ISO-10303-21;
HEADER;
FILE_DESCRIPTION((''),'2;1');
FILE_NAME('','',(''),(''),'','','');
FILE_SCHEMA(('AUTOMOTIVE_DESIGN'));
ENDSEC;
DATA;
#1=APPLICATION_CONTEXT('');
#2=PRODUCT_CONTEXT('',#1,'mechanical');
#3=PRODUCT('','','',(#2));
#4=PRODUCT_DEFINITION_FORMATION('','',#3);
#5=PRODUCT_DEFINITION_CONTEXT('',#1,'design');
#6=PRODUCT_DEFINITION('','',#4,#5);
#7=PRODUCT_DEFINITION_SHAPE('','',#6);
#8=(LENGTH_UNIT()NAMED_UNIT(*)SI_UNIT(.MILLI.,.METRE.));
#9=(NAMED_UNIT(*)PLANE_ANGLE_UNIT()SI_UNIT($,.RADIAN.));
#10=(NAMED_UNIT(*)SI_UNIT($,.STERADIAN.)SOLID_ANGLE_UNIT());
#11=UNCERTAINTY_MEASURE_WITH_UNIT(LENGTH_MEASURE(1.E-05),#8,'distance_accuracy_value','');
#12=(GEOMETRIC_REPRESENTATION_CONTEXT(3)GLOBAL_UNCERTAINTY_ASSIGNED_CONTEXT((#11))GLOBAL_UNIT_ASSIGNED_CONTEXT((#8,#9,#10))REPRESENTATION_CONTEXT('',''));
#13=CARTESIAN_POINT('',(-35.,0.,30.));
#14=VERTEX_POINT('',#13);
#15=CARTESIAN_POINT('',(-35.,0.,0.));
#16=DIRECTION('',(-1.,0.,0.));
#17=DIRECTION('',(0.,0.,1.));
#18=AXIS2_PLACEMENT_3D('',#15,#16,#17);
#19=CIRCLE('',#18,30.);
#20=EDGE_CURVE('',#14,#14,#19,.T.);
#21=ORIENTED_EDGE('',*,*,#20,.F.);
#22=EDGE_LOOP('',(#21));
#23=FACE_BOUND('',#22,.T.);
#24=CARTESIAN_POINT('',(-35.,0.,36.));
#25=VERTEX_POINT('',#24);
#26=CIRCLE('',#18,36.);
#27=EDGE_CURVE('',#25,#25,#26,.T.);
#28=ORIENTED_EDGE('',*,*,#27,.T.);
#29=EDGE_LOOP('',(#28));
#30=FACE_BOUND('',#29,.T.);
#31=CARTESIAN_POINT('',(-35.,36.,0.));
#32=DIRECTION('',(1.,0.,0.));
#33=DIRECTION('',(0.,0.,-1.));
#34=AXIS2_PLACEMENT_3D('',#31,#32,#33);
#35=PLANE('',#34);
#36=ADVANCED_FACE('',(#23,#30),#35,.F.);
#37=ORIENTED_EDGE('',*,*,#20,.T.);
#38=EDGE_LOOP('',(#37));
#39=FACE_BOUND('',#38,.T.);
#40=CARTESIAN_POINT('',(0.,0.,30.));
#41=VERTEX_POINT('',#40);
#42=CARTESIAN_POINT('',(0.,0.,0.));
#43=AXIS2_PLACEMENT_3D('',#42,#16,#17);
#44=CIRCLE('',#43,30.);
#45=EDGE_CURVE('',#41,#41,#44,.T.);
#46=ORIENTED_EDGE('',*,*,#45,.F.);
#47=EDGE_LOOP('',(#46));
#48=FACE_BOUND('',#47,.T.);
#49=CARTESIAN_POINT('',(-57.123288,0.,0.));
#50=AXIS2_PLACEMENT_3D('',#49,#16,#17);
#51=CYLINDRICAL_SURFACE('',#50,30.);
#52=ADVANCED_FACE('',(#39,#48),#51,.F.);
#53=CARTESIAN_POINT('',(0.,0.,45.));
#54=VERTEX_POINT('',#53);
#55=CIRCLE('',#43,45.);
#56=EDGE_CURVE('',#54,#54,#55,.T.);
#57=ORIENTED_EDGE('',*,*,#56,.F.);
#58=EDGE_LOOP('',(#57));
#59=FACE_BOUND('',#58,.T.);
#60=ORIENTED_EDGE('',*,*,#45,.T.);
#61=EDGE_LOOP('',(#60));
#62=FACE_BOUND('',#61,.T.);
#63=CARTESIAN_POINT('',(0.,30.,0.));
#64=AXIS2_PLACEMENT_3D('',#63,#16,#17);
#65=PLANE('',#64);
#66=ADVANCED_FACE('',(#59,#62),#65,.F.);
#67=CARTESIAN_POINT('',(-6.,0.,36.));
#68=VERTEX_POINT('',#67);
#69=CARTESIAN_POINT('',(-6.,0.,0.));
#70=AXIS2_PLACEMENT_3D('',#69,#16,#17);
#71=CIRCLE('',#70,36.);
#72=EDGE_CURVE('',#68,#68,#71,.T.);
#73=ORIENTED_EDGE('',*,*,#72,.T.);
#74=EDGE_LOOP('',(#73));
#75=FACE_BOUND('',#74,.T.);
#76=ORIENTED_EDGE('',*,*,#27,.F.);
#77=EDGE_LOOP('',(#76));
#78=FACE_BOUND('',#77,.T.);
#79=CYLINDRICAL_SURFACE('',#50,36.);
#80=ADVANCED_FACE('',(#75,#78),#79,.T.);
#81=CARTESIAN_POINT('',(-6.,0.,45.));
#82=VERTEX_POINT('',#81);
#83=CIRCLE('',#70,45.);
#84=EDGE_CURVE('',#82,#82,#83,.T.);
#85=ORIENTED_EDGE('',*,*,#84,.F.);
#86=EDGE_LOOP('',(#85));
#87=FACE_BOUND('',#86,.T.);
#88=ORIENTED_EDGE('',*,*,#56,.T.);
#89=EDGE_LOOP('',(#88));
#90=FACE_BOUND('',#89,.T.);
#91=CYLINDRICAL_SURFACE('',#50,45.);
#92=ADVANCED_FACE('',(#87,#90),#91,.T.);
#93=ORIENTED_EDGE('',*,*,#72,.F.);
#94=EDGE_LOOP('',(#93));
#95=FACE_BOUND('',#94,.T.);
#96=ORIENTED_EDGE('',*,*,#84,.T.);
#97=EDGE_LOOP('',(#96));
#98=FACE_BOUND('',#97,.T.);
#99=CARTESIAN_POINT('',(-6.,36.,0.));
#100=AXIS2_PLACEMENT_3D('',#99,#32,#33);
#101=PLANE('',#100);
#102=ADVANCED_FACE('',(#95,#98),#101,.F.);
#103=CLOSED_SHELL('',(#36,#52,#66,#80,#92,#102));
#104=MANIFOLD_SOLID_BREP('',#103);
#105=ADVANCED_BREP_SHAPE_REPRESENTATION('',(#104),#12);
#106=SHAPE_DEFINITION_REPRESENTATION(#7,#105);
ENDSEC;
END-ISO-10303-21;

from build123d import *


with BuildPart() as part:
    # Sketch1 → Revolve1 (revolve)
    with BuildSketch(Plane.XY):
        Polygon((-35, 30), (0, 30), (0, 45), (-6, 45), (-6, 36), (-35, 36), align=None)
    revolve(axis=Axis((-57.123287671, 0, 0), (1, 0, 0)))


solid = part.part
